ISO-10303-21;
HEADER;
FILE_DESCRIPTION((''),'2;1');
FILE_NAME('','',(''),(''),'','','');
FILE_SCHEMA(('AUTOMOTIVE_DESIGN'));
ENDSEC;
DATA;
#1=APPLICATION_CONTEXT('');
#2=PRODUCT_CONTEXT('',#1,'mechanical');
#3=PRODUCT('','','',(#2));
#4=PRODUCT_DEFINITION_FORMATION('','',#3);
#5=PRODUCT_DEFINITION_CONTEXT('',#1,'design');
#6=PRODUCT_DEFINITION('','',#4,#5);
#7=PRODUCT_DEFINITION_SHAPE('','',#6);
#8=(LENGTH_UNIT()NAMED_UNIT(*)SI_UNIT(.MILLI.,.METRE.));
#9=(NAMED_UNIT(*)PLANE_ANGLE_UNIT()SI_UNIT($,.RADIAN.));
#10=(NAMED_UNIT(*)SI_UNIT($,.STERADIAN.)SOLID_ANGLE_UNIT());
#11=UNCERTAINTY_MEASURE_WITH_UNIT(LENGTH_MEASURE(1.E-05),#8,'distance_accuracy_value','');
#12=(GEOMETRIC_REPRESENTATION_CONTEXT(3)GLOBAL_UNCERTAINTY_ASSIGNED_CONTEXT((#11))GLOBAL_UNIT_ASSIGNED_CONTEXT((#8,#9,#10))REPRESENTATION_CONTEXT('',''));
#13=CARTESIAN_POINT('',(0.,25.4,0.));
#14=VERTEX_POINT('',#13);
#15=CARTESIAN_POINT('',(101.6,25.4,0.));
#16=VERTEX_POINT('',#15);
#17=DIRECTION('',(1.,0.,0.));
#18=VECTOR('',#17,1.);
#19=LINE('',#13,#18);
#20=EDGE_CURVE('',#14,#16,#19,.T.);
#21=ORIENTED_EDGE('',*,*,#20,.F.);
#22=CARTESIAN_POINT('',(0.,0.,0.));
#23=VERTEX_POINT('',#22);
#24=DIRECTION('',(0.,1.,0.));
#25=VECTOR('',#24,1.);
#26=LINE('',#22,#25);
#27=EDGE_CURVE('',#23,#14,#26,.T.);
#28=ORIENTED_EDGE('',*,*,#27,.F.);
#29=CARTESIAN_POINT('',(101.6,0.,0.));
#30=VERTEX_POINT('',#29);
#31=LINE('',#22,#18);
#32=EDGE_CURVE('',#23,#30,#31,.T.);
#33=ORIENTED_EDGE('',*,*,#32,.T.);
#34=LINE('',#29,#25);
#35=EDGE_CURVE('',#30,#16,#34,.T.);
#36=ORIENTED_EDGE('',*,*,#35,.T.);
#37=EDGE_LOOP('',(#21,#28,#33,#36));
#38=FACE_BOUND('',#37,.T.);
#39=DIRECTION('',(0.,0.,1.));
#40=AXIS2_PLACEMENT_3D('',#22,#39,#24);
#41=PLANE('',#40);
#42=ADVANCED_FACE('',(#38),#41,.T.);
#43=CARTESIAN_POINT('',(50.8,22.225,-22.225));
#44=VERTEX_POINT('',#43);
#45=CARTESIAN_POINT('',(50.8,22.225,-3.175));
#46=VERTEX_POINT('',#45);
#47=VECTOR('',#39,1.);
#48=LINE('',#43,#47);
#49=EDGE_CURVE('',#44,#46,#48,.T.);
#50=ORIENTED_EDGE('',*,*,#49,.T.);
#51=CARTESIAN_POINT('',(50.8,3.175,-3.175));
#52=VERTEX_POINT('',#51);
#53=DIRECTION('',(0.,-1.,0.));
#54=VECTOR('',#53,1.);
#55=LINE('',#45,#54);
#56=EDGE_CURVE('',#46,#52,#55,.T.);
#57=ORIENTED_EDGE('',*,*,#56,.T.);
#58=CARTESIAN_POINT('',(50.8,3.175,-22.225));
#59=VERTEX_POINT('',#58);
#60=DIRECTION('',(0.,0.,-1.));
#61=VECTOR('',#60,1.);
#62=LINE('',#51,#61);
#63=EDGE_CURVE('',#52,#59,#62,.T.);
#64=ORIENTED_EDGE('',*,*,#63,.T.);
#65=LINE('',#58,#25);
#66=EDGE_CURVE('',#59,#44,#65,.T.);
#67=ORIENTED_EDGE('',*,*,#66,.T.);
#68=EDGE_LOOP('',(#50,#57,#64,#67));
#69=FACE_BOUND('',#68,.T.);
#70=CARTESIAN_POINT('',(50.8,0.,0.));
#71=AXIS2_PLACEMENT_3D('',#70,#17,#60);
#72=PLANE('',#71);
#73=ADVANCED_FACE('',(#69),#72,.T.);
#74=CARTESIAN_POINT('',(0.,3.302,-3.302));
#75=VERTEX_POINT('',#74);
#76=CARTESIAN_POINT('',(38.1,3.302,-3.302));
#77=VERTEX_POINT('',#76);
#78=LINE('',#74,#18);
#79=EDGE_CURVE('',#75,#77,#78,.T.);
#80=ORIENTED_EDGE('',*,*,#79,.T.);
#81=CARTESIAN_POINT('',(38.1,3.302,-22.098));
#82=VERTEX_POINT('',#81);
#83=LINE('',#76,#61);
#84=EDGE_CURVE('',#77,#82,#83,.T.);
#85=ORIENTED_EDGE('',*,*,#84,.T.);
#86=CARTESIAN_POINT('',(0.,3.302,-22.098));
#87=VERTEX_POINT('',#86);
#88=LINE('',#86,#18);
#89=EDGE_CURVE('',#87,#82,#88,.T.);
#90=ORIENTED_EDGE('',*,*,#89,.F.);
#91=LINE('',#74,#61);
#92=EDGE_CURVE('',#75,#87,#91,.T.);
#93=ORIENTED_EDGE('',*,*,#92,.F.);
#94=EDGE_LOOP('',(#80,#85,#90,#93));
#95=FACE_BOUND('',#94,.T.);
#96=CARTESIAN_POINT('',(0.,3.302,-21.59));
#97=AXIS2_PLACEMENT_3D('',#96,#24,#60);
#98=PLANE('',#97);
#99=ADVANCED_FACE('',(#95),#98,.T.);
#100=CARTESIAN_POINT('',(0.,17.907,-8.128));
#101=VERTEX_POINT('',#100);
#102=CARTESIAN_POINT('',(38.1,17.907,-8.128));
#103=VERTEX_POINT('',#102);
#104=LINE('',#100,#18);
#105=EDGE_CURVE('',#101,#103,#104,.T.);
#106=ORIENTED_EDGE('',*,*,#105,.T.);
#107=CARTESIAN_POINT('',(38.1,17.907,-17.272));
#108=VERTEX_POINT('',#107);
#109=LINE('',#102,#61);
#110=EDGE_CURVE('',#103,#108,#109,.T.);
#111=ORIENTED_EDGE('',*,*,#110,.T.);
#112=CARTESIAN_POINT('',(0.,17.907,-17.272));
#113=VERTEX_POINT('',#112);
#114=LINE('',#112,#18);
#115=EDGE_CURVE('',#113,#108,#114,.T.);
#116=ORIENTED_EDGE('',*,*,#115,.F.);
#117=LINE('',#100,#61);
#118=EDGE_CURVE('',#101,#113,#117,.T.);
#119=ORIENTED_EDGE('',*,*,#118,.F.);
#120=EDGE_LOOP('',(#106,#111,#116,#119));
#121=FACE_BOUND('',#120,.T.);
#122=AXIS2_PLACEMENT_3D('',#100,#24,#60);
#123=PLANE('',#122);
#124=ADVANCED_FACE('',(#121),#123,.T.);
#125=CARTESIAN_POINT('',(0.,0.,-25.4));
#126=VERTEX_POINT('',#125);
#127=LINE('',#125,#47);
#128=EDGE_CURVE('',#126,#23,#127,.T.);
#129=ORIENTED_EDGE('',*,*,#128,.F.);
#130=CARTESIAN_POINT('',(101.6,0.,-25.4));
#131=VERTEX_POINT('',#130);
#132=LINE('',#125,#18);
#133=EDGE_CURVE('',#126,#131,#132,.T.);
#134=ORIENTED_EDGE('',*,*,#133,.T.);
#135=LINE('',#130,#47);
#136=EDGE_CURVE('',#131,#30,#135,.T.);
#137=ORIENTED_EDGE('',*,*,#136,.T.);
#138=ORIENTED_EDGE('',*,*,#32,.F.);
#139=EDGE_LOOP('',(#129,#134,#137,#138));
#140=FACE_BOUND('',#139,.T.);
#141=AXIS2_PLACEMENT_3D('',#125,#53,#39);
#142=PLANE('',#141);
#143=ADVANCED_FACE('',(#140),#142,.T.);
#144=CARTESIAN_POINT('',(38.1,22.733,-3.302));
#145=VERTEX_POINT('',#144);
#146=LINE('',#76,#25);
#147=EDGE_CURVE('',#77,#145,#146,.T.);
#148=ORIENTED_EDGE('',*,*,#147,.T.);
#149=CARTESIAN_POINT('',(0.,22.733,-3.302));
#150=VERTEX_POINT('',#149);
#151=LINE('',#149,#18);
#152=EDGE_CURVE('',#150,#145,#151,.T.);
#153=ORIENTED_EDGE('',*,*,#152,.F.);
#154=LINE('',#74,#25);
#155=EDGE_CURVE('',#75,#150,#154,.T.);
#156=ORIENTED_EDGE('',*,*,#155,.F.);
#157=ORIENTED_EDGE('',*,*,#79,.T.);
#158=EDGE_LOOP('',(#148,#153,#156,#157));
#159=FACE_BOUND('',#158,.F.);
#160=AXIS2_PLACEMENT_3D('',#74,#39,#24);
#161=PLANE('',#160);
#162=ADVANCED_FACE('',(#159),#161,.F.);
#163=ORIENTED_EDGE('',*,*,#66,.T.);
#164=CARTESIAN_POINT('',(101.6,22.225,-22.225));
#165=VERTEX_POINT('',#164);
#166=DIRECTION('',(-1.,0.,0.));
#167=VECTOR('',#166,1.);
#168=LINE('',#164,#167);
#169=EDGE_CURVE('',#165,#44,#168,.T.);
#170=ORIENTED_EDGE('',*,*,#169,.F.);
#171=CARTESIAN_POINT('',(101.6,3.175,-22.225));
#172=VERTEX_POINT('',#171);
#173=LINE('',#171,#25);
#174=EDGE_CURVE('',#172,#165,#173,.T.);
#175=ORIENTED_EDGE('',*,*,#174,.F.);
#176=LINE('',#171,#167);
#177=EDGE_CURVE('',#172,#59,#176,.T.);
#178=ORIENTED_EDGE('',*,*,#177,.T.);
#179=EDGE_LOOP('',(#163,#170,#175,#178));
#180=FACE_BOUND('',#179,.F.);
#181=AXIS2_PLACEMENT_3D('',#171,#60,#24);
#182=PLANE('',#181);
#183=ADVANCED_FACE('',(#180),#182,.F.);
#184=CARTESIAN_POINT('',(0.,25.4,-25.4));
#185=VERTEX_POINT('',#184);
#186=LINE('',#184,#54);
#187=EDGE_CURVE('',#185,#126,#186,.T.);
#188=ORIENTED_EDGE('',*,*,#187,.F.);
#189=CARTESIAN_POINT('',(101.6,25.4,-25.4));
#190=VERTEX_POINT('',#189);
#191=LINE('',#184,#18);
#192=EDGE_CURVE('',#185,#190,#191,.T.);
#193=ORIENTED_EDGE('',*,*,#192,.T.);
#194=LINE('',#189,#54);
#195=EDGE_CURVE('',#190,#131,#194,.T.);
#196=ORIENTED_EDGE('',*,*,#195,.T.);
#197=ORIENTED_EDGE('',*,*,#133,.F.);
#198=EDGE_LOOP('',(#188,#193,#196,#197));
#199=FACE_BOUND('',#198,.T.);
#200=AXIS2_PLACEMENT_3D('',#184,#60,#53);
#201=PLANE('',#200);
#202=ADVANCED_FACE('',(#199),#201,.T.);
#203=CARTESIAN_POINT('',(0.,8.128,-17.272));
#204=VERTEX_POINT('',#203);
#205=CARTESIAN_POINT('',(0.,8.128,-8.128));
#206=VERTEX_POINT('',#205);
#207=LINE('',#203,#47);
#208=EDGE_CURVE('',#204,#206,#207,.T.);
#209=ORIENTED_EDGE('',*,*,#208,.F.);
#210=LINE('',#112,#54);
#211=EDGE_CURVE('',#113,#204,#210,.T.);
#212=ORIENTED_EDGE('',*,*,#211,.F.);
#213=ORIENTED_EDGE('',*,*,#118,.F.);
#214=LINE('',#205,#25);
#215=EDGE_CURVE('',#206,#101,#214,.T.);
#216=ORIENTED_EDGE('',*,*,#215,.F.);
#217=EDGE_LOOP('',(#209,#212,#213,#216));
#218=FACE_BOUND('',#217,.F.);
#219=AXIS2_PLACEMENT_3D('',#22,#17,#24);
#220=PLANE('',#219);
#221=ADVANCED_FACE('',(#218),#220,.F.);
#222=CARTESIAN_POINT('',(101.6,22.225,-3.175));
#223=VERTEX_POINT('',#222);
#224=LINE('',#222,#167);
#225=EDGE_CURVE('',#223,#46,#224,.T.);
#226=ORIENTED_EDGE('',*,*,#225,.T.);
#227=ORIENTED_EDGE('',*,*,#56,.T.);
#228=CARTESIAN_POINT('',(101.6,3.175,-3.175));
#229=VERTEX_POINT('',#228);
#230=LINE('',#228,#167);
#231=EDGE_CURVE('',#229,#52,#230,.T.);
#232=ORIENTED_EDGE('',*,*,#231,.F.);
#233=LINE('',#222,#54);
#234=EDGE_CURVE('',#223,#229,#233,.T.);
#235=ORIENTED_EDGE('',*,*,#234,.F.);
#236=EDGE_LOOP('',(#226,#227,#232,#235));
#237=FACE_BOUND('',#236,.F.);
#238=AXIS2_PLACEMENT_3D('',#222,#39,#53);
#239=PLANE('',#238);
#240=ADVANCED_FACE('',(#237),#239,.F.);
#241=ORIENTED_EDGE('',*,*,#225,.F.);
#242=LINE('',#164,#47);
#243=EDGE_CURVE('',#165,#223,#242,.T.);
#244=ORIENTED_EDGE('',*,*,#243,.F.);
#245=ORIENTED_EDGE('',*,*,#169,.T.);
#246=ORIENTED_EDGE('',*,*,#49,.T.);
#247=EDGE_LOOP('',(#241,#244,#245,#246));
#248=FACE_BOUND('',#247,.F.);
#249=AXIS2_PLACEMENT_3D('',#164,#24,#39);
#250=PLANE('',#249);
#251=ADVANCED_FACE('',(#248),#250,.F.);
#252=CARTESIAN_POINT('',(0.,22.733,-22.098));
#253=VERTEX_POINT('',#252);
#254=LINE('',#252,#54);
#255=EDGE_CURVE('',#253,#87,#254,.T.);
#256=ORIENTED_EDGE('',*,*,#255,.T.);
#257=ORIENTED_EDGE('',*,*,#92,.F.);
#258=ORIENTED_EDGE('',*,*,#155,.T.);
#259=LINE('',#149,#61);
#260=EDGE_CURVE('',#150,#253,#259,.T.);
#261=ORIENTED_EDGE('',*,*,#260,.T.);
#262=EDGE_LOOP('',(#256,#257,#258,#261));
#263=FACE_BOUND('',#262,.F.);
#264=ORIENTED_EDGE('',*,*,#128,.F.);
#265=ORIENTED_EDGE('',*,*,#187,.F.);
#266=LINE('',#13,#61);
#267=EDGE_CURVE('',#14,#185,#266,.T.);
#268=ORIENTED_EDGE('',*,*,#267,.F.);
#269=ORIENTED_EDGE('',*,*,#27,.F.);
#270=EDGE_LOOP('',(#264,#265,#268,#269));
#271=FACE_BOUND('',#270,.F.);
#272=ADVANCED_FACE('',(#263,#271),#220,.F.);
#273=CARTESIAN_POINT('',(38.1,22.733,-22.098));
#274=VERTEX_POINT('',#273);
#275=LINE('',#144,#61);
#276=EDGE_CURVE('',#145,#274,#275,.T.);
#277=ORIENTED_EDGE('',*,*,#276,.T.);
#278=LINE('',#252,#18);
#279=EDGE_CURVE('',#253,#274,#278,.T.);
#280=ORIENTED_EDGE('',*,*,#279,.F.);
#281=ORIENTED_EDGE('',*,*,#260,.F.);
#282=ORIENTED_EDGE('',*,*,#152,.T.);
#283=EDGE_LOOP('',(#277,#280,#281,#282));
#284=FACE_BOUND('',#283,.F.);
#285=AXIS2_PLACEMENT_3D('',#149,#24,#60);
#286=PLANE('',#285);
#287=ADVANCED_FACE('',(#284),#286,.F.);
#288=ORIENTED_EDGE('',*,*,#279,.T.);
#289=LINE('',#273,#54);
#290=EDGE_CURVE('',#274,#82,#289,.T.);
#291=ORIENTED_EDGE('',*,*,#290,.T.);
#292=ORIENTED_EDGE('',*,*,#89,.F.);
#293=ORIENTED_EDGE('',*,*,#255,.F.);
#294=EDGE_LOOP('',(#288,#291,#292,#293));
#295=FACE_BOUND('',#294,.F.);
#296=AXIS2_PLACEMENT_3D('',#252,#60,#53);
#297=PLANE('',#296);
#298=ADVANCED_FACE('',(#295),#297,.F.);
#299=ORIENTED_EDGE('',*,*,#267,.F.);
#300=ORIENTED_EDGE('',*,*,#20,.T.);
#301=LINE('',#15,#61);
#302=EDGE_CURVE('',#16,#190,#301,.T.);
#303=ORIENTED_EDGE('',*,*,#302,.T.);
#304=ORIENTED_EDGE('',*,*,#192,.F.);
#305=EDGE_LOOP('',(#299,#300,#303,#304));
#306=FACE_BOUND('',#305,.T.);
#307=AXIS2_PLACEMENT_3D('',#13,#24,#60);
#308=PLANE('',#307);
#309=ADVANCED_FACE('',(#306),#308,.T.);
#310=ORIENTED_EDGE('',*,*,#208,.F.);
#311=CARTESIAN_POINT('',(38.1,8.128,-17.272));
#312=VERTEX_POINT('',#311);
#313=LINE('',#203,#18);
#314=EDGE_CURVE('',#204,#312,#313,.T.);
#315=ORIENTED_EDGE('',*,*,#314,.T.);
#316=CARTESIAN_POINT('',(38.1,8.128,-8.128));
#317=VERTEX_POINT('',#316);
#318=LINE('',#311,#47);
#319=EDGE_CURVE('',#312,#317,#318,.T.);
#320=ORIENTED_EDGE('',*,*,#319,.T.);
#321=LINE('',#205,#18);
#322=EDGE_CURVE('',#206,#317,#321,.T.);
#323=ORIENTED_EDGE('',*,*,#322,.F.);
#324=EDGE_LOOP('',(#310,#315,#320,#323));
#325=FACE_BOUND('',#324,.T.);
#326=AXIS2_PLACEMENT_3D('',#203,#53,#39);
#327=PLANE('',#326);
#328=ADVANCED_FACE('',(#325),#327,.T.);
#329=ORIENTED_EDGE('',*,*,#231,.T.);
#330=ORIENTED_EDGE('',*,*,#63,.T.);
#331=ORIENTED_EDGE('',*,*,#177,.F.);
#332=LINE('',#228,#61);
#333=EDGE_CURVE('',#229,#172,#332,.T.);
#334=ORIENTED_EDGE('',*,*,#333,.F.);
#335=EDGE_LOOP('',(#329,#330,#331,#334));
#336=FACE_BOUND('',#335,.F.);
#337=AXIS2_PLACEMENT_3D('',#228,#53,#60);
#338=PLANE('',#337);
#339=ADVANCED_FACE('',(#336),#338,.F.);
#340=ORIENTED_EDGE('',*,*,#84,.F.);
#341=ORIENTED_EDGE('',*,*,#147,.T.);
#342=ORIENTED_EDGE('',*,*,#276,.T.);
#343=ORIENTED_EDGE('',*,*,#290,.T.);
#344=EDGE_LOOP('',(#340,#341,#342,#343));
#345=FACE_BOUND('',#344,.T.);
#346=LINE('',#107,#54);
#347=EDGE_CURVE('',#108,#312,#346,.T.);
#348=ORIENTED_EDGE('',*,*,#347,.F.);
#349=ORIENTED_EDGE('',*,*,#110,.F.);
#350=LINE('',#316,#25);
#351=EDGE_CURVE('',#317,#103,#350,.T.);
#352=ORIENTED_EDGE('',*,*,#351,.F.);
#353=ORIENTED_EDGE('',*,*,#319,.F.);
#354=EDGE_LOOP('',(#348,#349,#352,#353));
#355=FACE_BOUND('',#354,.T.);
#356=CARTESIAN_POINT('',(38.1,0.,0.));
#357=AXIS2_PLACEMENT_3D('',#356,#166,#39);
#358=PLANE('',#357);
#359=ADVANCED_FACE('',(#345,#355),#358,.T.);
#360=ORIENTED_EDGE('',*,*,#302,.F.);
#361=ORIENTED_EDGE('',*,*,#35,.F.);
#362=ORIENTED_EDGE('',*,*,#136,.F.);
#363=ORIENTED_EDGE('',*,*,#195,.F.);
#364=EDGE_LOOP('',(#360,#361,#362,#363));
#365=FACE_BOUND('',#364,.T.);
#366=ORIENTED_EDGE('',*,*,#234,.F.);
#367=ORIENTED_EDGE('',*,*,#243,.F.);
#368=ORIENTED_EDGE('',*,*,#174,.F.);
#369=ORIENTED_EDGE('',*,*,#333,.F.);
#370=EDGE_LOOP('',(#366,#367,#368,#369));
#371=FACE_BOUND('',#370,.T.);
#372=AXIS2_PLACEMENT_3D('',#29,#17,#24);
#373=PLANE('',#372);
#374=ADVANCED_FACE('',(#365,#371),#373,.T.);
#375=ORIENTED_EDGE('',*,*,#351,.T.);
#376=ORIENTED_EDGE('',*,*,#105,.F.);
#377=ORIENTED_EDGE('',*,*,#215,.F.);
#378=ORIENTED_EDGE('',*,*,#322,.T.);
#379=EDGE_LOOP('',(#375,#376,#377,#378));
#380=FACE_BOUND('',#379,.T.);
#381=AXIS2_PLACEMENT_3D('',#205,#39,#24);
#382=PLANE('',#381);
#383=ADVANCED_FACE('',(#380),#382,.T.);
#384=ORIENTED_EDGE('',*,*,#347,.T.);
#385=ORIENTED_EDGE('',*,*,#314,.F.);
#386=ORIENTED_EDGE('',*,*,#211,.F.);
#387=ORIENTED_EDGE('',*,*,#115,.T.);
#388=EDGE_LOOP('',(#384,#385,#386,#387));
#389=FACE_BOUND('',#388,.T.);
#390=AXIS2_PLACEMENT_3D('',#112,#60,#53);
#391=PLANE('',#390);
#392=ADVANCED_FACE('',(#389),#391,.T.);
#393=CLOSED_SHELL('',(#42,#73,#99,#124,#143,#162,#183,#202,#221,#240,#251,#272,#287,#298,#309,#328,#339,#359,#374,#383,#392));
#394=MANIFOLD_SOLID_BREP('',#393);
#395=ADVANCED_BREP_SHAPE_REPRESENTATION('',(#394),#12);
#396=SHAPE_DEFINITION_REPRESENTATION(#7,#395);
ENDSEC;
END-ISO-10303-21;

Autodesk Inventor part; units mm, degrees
ref_plane "YZ Plane" through (0, 0, 0) normal (1, 0, 0) x (0, 1, 0)
ref_plane "XZ Plane" through (0, 0, 0) normal (0, 1, 0) x (-1, 0, 0)
ref_plane "XY Plane" through (0, 0, 0) normal (0, 0, 1) x (1, 0, 0)
sketch "Sketch1" plane through (0, 0, 0) normal (1, 0, 0) x (0, 1, 0)
  point P0 (0, 0)
sketch "Sketch2" plane through (0, 0, 0) normal (1, 0, 0) x (0, 1, 0)
  line L0 (0, 0) -> (25.4, 0)
  line L1 (25.4, 0) -> (25.4, -25.4)
  line L2 (25.4, -25.4) -> (0, -25.4)
  line L3 (0, -25.4) -> (0, 0)
  dimension "d0" = 25.4
  dimension "d1" = 25.4
extrude "Extrusion1" add sketch "Sketch2" along normal blind 101.6
sketch "Sketch3" plane through (101.6, 0, 0) normal (1, 0, 0) x (0, 0, -1)
  line L0 (0, 0) -> (25.4, 0) projected
  line L1 (0, 0) -> (3.175, 0)
  line L2 (3.175, 0) -> (0, 0)
  line L3 (3.175, 0) -> (3.175, 3.175)
  line L4 (3.175, 3.175) -> (22.225, 3.175)
  line L5 (22.225, 3.175) -> (22.225, 22.225)
  line L6 (22.225, 22.225) -> (3.175, 22.225)
  line L7 (3.175, 22.225) -> (3.175, 3.175)
  dimension "d7" = 19.05
  dimension "d8" = 19.05
extrude "Extrusion2" cut sketch "Sketch3" against normal blind 50.8
sketch "Sketch4" plane through (0, 0, 0) normal (-1, 0, 0) x (0, 0, 1)
  line L0 (-25.4, 0) -> (-25.4, 25.4) projected
  line L1 (-25.4, 25.4) -> (0, 25.4) projected
  line L2 (-22.225, 3.175) -> (-3.175, 3.175) projected
  line L3 (-22.225, 22.225) -> (-22.225, 3.175) projected
  line L4 (-21.59, 3.302) -> (-22.098, 3.302)
  line L5 (-17.272, 8.128) -> (-8.128, 8.128)
  line L6 (-8.128, 8.128) -> (-8.128, 17.907)
  line L7 (-8.128, 17.907) -> (-17.272, 17.907)
  line L8 (-17.272, 17.907) -> (-17.272, 8.128)
  line L9 (-22.098, 3.302) -> (-3.302, 3.302)
  line L10 (-3.302, 3.302) -> (-3.302, 22.733)
  line L11 (-3.302, 22.733) -> (-22.098, 22.733)
  line L12 (-22.098, 22.733) -> (-22.098, 3.302)
extrude "Extrusion3" cut sketch "Sketch4" against normal blind 38.1
properties part number "Side Piece"
